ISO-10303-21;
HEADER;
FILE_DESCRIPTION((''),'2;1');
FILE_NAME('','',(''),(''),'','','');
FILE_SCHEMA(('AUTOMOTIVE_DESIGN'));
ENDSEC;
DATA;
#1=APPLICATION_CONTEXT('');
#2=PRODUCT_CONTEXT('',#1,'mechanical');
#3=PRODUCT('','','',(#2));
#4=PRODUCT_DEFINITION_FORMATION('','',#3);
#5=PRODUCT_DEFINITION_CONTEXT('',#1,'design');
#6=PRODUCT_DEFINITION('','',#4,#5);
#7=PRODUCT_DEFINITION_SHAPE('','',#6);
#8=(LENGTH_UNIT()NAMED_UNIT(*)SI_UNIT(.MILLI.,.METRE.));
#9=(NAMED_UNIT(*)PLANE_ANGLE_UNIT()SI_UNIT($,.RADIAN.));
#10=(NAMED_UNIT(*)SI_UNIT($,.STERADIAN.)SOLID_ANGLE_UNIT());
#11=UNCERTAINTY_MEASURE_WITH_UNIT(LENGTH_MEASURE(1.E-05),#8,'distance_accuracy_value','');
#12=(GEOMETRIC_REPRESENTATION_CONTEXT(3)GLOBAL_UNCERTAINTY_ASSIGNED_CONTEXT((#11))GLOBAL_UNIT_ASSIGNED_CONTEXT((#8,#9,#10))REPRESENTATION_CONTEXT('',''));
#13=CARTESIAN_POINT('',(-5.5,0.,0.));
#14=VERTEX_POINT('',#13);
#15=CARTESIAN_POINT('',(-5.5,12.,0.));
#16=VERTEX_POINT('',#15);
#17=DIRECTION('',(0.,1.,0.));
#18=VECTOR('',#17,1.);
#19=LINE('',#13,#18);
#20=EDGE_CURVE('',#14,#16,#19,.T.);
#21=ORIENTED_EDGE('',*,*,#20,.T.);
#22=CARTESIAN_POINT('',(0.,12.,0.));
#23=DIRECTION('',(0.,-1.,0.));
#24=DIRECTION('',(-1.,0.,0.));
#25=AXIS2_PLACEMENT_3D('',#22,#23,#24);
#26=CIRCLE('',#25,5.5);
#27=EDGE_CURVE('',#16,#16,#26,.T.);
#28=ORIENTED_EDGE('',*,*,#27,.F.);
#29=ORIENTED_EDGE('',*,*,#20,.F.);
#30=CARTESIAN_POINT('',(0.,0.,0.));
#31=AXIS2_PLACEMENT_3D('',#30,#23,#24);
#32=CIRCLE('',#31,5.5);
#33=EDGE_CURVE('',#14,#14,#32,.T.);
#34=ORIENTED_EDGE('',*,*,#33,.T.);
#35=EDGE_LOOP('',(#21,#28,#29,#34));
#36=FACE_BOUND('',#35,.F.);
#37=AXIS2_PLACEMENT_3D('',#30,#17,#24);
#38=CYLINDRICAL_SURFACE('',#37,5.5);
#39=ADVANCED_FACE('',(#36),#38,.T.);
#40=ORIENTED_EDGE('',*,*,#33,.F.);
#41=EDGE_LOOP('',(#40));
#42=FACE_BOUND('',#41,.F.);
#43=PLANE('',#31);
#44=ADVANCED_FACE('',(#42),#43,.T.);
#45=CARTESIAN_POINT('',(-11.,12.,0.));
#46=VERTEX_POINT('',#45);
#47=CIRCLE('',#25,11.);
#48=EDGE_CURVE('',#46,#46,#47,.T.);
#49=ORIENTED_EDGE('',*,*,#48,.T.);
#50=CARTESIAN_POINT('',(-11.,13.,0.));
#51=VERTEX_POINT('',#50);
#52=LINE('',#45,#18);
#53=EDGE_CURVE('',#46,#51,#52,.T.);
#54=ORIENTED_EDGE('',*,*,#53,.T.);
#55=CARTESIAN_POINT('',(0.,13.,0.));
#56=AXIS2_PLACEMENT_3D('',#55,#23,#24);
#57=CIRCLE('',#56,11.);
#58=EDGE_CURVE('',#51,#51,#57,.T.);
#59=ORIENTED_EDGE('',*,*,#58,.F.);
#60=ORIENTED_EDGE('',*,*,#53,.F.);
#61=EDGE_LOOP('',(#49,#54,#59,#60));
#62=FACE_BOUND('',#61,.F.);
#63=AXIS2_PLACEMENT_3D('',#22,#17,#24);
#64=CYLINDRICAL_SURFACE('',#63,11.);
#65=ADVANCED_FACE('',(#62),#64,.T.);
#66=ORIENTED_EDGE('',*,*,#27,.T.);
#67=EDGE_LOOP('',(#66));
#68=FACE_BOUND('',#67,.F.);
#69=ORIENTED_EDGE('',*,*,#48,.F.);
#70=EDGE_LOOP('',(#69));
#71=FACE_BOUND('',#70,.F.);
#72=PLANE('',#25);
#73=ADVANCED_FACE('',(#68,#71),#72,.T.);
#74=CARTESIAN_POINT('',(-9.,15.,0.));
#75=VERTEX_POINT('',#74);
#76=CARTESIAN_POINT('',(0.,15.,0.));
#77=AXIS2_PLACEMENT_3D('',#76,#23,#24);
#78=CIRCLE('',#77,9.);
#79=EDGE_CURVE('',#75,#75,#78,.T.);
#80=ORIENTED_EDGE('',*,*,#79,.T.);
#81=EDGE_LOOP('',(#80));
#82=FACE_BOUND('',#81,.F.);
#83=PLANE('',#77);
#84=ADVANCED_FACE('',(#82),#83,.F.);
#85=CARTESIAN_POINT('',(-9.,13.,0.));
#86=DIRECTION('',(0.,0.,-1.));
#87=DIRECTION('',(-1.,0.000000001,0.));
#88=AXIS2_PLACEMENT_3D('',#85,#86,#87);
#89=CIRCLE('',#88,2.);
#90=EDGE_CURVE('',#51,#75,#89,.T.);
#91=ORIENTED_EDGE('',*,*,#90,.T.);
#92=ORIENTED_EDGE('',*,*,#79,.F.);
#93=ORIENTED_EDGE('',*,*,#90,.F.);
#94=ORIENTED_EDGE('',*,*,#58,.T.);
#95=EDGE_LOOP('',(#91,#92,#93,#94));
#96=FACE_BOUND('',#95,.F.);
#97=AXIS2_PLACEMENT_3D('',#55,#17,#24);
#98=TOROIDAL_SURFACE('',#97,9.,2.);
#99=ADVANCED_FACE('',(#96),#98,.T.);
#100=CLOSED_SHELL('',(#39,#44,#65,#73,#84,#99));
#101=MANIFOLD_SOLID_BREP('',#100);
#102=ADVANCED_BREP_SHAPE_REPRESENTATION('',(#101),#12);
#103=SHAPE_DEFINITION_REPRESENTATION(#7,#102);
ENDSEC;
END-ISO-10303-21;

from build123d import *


with BuildPart() as part:
    # Sketch2 → Revolve1 (revolve)
    with BuildSketch(Plane.XY):
        with BuildLine():
            Line((0, 0), (-5.5, 0))
            Line((-5.5, 0), (-5.5, 12))
            Line((-5.5, 12), (-11, 12))
            Line((-11, 12), (-11, 13))
            ThreePointArc((-11, 13), (-10.414213562, 14.414213562), (-9, 15))
            Line((-9, 15), (0, 15))
            Line((0, 15), (0, 0))
        make_face()
    revolve(axis=Axis((0, 0, 0), (0, -1, 0)))


solid = part.part
